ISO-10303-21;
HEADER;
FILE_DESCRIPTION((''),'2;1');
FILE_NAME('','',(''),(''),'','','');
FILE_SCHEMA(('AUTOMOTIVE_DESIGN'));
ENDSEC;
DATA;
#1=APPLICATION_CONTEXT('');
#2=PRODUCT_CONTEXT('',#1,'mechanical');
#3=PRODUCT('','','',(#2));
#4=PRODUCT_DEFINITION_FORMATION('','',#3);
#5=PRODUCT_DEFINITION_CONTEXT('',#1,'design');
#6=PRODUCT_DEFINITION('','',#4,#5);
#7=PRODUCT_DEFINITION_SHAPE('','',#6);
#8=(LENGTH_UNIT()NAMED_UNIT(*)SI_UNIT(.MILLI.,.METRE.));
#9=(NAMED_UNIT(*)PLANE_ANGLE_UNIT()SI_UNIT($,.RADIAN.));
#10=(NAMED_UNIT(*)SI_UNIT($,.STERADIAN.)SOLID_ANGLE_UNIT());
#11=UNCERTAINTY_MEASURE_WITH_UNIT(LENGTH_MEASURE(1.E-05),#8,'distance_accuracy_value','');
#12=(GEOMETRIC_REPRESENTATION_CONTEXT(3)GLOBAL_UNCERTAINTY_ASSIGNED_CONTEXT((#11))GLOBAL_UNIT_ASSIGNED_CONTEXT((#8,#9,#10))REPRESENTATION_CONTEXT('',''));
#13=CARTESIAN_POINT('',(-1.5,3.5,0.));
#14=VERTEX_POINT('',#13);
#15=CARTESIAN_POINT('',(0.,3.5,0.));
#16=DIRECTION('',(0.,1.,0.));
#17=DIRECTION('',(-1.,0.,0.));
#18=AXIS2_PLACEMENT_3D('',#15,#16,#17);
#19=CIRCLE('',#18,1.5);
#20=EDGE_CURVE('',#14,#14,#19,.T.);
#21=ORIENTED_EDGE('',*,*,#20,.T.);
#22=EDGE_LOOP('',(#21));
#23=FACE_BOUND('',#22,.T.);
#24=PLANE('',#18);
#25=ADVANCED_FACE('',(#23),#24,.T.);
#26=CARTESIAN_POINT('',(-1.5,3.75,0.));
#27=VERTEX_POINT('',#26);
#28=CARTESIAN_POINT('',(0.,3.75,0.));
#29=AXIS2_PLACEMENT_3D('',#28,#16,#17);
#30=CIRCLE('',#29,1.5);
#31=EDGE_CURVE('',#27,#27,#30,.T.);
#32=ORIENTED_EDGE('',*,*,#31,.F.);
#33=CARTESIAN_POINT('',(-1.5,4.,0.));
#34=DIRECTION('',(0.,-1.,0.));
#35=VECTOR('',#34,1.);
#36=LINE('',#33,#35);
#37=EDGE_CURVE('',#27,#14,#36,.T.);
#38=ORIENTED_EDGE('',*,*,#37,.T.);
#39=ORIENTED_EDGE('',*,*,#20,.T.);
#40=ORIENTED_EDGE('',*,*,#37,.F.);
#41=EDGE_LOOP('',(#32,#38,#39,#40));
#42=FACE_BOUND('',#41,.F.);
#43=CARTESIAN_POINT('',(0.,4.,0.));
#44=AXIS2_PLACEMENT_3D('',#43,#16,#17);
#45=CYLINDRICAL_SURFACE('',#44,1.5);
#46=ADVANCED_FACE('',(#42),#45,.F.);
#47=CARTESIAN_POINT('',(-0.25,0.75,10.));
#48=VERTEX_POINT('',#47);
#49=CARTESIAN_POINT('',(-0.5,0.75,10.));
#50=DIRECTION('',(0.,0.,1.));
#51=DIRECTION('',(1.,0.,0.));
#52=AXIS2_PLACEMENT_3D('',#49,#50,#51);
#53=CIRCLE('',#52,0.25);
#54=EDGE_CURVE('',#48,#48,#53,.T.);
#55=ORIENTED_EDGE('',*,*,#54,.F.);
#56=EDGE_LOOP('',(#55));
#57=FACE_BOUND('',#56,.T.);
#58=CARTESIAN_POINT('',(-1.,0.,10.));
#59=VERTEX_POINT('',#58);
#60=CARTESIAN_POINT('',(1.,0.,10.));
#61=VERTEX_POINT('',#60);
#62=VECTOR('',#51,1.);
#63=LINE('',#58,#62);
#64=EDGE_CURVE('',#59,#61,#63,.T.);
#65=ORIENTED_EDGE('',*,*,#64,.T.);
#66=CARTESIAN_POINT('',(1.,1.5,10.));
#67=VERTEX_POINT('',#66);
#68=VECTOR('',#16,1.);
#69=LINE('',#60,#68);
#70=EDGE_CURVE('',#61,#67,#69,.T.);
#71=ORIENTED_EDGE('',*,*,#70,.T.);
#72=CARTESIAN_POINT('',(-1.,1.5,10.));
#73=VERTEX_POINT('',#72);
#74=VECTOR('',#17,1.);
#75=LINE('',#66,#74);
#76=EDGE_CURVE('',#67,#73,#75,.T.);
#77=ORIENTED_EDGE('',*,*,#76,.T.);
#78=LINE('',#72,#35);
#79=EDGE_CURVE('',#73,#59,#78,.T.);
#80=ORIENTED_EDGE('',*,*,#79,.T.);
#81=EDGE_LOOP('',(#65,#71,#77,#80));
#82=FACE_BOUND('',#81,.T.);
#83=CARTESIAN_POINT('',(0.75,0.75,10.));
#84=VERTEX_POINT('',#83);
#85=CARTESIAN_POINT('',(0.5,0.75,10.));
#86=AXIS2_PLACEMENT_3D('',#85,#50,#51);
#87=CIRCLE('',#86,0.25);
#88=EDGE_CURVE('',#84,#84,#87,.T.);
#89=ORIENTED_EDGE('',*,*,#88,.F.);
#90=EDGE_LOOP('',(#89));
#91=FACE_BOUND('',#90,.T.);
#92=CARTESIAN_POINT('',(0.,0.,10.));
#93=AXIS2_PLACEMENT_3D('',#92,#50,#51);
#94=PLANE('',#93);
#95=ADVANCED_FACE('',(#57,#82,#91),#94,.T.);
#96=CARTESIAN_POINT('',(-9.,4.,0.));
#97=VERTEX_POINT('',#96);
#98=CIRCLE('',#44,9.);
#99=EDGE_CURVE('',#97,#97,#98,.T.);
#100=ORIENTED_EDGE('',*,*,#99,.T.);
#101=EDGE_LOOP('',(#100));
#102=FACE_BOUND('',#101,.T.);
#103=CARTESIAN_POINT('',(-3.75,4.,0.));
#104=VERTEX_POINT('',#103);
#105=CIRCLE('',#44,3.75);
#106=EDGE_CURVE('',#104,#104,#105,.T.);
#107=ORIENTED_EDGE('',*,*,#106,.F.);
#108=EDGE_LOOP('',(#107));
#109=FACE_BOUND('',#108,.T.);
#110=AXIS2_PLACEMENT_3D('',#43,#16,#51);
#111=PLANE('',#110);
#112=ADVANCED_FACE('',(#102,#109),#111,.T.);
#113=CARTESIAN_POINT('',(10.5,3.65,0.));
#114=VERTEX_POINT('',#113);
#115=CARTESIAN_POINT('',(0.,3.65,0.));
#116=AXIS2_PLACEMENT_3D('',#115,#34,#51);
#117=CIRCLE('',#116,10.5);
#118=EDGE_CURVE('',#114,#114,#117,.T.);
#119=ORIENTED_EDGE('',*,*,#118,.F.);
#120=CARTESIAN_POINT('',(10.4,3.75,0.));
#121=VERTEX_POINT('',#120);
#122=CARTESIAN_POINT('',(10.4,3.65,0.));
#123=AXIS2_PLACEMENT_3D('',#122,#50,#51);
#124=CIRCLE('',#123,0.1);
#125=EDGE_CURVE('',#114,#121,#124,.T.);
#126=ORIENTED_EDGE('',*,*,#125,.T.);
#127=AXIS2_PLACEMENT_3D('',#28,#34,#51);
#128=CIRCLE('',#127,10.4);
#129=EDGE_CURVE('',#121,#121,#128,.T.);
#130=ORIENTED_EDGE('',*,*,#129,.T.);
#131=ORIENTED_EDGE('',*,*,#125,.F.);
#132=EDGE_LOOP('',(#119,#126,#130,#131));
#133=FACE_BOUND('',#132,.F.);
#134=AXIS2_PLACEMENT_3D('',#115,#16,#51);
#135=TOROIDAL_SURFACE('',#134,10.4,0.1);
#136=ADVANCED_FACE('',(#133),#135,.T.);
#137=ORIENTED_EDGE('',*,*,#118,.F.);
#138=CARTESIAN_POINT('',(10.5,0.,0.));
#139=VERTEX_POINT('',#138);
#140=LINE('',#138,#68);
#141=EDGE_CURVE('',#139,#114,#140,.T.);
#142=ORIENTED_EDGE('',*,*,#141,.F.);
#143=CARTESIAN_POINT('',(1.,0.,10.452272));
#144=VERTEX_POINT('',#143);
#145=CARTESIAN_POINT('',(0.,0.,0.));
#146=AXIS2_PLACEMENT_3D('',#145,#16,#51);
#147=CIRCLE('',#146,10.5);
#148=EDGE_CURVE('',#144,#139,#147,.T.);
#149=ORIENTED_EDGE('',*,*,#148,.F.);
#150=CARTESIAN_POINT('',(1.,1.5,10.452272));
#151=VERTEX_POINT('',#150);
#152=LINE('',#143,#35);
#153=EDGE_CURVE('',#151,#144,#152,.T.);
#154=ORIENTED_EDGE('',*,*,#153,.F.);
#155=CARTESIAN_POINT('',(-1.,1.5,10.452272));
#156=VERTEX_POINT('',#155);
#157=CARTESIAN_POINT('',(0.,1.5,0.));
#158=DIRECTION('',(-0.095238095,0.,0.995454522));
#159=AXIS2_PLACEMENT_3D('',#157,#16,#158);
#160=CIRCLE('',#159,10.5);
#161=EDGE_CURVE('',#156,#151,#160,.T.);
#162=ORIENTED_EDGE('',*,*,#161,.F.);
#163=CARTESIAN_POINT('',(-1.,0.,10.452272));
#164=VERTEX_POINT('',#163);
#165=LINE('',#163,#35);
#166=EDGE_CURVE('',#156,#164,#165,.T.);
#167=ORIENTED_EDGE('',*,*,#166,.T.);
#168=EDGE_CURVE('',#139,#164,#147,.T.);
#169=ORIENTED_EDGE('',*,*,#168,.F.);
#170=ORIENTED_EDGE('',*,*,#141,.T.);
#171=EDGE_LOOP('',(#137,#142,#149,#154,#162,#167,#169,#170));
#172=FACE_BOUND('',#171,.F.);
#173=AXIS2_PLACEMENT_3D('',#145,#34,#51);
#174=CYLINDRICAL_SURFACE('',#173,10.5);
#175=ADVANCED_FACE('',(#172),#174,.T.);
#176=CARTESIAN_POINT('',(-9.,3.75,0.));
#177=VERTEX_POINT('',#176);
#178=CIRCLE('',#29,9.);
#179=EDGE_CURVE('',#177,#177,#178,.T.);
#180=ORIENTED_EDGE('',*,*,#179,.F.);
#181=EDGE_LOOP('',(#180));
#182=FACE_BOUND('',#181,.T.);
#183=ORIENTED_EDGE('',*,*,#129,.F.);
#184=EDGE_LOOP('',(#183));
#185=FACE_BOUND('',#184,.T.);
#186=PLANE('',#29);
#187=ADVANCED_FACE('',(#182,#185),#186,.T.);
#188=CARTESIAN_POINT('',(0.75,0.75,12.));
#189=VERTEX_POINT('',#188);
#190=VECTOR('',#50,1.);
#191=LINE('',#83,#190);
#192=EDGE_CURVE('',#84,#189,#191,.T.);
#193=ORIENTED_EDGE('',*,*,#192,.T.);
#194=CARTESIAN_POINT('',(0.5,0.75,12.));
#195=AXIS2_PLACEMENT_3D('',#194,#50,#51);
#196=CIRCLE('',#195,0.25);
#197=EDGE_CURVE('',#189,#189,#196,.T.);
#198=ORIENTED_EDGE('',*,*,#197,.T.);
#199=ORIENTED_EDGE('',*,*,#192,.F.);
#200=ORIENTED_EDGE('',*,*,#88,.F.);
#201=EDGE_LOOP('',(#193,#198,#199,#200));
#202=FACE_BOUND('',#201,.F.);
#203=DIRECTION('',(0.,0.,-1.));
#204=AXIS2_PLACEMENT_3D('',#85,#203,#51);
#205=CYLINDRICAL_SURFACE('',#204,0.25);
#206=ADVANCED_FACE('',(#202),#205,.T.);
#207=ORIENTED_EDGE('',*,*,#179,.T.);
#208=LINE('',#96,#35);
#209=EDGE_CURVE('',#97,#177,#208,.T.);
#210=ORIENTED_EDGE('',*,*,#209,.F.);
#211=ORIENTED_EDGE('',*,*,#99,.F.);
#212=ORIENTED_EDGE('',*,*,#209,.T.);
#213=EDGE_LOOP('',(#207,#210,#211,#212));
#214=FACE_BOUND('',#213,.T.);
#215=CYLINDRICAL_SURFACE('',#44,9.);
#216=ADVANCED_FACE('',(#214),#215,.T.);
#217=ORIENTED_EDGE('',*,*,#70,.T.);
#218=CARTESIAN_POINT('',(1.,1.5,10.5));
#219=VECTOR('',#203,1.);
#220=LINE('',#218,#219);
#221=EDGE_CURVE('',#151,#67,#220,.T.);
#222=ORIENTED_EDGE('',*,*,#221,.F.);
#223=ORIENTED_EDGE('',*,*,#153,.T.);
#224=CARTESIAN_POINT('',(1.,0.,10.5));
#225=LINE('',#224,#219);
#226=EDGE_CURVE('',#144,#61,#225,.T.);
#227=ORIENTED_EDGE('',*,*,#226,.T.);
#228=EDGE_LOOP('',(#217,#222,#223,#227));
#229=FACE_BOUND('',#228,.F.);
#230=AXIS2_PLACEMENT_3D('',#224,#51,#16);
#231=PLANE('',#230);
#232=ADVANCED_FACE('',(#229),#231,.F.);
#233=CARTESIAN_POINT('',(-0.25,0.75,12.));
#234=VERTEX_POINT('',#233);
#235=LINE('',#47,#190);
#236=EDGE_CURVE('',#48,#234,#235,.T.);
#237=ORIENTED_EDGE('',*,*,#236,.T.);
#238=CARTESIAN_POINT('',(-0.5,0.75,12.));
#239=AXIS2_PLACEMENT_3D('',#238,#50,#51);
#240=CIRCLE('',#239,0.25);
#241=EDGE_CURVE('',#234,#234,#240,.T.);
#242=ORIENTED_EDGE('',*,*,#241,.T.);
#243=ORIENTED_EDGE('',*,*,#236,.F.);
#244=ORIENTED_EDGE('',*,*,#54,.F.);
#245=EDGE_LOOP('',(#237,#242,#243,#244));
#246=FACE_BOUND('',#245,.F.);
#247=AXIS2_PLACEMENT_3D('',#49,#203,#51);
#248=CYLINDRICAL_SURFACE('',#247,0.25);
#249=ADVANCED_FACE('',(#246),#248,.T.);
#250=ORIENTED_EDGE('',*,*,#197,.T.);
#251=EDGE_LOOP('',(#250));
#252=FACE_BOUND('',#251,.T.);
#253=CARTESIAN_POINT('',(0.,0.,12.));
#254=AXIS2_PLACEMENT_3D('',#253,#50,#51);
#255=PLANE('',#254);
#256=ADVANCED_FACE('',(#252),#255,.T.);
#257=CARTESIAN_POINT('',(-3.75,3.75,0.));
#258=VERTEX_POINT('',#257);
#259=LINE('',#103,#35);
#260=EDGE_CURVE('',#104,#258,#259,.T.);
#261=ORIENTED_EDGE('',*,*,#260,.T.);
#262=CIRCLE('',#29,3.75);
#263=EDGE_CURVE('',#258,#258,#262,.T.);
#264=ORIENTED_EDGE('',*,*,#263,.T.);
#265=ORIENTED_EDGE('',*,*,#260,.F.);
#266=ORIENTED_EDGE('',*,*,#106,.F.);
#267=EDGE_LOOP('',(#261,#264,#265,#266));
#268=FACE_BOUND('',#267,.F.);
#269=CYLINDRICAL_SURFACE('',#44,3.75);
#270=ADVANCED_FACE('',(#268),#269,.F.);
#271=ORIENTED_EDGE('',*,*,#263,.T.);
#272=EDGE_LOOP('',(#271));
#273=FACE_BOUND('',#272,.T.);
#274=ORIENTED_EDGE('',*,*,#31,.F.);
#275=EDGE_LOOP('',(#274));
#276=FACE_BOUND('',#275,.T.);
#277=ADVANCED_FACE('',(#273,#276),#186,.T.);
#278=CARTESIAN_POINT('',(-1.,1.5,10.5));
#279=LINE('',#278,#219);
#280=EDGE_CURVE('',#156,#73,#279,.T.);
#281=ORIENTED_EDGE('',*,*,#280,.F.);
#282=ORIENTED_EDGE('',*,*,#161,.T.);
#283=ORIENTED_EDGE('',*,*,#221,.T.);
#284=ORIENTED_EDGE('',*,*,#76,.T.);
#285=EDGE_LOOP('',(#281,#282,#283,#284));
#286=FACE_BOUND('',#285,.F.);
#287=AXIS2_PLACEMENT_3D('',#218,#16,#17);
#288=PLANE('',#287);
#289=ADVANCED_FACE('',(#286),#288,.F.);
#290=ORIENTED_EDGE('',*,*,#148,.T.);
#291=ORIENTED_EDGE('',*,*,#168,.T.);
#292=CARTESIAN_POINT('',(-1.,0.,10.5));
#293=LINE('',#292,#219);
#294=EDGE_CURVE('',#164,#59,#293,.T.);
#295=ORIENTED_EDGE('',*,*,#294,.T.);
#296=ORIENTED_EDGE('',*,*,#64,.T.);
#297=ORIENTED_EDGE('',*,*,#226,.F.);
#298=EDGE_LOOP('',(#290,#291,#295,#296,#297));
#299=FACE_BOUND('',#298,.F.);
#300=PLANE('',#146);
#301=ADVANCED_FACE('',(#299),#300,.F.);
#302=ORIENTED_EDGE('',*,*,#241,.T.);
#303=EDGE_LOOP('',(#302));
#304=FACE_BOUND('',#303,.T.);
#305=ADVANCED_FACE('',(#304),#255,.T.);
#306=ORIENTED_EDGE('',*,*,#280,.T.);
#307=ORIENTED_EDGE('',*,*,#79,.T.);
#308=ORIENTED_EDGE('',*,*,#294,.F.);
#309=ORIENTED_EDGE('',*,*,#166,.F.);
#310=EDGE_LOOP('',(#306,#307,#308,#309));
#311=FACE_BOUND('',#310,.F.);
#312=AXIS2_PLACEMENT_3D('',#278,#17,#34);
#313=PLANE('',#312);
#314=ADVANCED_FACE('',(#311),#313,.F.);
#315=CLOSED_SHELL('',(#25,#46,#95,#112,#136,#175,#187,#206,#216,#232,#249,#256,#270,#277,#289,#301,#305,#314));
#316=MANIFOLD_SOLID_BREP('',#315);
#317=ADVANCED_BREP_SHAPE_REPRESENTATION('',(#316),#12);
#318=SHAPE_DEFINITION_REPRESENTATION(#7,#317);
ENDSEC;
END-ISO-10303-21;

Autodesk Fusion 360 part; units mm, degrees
sketch "Sketch1" plane through (0, 0, 0) normal (0, 1, 0) x (1, 0, 0)
  circle A0 centre (0, 0) radius 10.5
  dimension "d1" = 21
extrude "Extrude1" add sketch "Sketch1" along normal blind 4
sketch "Sketch2" plane through (0, 4, 0) normal (0, 1, 0) x (-1, 0, 0)
  circle A0 centre (0, 0) radius 10.5
  circle A1 centre (0, 0) radius 1.5
  dimension "d4" = 3
extrude "Extrude2" cut sketch "Sketch2" against normal blind 0.5 contours A1
sketch "Sketch3" plane through (0, 4, 0) normal (0, 1, 0) x (-1, 0, 0)
  circle A0 centre (0, 0) radius 1.5
  circle A1 centre (0, 0) radius 10.5
  circle A2 centre (0, 0) radius 9
  circle A3 centre (0, 0) radius 3.75
  dimension "d7" = 1.5
  dimension "d20" = 7.5
extrude "Extrude3" cut sketch "Sketch3" against normal blind 0.25
fillet "Fillet1" radius 0.1 1 edges at (-9.7894, 3.75, -3.797)
ref_plane "WorkPlane1" through (0, 0, 10.5) normal (0, 0, 1) x (1, 0, 0)
sketch "Sketch4" plane through (0, 0, 10.5) normal (0, 0, 1) x (1, 0, 0)
  line L0 (-1, 0) -> (1, 0)
  line L1 (1, 0) -> (1, 1.5)
  line L2 (1, 1.5) -> (-1, 1.5)
  line L3 (-1, 1.5) -> (-1, 0)
  line L4 (10.5, 0) -> (-10.5, 0)
  dimension "d12" = 1.5
  dimension "d13" = 2
extrude "Extrude4" cut sketch "Sketch4" against normal blind 0.5
sketch "Sketch5" plane through (0, 0, 10) normal (0, 0, 1) x (1, 0, 0)
  line L0 (1, 0) -> (1, 1.5)
  line L1 (1, 1.5) -> (-1, 1.5)
  line L2 (-1, 1.5) -> (-1, 0)
  line L3 (-1, 0) -> (1, 0)
  line L4 (9, 4) -> (-9, 4)
  line L5 (0, 1.5) -> (0, 0) construction
  line L6 (0, 0.75) -> (-1, 0.75) construction
  circle A0 centre (-0.5, 0.75) radius 0.25
  circle A1 centre (0.5, 0.75) radius 0.25
  dimension "d16" = 0.5
extrude "Extrude5" add sketch "Sketch5" along normal blind 2 contours A0 | A1
